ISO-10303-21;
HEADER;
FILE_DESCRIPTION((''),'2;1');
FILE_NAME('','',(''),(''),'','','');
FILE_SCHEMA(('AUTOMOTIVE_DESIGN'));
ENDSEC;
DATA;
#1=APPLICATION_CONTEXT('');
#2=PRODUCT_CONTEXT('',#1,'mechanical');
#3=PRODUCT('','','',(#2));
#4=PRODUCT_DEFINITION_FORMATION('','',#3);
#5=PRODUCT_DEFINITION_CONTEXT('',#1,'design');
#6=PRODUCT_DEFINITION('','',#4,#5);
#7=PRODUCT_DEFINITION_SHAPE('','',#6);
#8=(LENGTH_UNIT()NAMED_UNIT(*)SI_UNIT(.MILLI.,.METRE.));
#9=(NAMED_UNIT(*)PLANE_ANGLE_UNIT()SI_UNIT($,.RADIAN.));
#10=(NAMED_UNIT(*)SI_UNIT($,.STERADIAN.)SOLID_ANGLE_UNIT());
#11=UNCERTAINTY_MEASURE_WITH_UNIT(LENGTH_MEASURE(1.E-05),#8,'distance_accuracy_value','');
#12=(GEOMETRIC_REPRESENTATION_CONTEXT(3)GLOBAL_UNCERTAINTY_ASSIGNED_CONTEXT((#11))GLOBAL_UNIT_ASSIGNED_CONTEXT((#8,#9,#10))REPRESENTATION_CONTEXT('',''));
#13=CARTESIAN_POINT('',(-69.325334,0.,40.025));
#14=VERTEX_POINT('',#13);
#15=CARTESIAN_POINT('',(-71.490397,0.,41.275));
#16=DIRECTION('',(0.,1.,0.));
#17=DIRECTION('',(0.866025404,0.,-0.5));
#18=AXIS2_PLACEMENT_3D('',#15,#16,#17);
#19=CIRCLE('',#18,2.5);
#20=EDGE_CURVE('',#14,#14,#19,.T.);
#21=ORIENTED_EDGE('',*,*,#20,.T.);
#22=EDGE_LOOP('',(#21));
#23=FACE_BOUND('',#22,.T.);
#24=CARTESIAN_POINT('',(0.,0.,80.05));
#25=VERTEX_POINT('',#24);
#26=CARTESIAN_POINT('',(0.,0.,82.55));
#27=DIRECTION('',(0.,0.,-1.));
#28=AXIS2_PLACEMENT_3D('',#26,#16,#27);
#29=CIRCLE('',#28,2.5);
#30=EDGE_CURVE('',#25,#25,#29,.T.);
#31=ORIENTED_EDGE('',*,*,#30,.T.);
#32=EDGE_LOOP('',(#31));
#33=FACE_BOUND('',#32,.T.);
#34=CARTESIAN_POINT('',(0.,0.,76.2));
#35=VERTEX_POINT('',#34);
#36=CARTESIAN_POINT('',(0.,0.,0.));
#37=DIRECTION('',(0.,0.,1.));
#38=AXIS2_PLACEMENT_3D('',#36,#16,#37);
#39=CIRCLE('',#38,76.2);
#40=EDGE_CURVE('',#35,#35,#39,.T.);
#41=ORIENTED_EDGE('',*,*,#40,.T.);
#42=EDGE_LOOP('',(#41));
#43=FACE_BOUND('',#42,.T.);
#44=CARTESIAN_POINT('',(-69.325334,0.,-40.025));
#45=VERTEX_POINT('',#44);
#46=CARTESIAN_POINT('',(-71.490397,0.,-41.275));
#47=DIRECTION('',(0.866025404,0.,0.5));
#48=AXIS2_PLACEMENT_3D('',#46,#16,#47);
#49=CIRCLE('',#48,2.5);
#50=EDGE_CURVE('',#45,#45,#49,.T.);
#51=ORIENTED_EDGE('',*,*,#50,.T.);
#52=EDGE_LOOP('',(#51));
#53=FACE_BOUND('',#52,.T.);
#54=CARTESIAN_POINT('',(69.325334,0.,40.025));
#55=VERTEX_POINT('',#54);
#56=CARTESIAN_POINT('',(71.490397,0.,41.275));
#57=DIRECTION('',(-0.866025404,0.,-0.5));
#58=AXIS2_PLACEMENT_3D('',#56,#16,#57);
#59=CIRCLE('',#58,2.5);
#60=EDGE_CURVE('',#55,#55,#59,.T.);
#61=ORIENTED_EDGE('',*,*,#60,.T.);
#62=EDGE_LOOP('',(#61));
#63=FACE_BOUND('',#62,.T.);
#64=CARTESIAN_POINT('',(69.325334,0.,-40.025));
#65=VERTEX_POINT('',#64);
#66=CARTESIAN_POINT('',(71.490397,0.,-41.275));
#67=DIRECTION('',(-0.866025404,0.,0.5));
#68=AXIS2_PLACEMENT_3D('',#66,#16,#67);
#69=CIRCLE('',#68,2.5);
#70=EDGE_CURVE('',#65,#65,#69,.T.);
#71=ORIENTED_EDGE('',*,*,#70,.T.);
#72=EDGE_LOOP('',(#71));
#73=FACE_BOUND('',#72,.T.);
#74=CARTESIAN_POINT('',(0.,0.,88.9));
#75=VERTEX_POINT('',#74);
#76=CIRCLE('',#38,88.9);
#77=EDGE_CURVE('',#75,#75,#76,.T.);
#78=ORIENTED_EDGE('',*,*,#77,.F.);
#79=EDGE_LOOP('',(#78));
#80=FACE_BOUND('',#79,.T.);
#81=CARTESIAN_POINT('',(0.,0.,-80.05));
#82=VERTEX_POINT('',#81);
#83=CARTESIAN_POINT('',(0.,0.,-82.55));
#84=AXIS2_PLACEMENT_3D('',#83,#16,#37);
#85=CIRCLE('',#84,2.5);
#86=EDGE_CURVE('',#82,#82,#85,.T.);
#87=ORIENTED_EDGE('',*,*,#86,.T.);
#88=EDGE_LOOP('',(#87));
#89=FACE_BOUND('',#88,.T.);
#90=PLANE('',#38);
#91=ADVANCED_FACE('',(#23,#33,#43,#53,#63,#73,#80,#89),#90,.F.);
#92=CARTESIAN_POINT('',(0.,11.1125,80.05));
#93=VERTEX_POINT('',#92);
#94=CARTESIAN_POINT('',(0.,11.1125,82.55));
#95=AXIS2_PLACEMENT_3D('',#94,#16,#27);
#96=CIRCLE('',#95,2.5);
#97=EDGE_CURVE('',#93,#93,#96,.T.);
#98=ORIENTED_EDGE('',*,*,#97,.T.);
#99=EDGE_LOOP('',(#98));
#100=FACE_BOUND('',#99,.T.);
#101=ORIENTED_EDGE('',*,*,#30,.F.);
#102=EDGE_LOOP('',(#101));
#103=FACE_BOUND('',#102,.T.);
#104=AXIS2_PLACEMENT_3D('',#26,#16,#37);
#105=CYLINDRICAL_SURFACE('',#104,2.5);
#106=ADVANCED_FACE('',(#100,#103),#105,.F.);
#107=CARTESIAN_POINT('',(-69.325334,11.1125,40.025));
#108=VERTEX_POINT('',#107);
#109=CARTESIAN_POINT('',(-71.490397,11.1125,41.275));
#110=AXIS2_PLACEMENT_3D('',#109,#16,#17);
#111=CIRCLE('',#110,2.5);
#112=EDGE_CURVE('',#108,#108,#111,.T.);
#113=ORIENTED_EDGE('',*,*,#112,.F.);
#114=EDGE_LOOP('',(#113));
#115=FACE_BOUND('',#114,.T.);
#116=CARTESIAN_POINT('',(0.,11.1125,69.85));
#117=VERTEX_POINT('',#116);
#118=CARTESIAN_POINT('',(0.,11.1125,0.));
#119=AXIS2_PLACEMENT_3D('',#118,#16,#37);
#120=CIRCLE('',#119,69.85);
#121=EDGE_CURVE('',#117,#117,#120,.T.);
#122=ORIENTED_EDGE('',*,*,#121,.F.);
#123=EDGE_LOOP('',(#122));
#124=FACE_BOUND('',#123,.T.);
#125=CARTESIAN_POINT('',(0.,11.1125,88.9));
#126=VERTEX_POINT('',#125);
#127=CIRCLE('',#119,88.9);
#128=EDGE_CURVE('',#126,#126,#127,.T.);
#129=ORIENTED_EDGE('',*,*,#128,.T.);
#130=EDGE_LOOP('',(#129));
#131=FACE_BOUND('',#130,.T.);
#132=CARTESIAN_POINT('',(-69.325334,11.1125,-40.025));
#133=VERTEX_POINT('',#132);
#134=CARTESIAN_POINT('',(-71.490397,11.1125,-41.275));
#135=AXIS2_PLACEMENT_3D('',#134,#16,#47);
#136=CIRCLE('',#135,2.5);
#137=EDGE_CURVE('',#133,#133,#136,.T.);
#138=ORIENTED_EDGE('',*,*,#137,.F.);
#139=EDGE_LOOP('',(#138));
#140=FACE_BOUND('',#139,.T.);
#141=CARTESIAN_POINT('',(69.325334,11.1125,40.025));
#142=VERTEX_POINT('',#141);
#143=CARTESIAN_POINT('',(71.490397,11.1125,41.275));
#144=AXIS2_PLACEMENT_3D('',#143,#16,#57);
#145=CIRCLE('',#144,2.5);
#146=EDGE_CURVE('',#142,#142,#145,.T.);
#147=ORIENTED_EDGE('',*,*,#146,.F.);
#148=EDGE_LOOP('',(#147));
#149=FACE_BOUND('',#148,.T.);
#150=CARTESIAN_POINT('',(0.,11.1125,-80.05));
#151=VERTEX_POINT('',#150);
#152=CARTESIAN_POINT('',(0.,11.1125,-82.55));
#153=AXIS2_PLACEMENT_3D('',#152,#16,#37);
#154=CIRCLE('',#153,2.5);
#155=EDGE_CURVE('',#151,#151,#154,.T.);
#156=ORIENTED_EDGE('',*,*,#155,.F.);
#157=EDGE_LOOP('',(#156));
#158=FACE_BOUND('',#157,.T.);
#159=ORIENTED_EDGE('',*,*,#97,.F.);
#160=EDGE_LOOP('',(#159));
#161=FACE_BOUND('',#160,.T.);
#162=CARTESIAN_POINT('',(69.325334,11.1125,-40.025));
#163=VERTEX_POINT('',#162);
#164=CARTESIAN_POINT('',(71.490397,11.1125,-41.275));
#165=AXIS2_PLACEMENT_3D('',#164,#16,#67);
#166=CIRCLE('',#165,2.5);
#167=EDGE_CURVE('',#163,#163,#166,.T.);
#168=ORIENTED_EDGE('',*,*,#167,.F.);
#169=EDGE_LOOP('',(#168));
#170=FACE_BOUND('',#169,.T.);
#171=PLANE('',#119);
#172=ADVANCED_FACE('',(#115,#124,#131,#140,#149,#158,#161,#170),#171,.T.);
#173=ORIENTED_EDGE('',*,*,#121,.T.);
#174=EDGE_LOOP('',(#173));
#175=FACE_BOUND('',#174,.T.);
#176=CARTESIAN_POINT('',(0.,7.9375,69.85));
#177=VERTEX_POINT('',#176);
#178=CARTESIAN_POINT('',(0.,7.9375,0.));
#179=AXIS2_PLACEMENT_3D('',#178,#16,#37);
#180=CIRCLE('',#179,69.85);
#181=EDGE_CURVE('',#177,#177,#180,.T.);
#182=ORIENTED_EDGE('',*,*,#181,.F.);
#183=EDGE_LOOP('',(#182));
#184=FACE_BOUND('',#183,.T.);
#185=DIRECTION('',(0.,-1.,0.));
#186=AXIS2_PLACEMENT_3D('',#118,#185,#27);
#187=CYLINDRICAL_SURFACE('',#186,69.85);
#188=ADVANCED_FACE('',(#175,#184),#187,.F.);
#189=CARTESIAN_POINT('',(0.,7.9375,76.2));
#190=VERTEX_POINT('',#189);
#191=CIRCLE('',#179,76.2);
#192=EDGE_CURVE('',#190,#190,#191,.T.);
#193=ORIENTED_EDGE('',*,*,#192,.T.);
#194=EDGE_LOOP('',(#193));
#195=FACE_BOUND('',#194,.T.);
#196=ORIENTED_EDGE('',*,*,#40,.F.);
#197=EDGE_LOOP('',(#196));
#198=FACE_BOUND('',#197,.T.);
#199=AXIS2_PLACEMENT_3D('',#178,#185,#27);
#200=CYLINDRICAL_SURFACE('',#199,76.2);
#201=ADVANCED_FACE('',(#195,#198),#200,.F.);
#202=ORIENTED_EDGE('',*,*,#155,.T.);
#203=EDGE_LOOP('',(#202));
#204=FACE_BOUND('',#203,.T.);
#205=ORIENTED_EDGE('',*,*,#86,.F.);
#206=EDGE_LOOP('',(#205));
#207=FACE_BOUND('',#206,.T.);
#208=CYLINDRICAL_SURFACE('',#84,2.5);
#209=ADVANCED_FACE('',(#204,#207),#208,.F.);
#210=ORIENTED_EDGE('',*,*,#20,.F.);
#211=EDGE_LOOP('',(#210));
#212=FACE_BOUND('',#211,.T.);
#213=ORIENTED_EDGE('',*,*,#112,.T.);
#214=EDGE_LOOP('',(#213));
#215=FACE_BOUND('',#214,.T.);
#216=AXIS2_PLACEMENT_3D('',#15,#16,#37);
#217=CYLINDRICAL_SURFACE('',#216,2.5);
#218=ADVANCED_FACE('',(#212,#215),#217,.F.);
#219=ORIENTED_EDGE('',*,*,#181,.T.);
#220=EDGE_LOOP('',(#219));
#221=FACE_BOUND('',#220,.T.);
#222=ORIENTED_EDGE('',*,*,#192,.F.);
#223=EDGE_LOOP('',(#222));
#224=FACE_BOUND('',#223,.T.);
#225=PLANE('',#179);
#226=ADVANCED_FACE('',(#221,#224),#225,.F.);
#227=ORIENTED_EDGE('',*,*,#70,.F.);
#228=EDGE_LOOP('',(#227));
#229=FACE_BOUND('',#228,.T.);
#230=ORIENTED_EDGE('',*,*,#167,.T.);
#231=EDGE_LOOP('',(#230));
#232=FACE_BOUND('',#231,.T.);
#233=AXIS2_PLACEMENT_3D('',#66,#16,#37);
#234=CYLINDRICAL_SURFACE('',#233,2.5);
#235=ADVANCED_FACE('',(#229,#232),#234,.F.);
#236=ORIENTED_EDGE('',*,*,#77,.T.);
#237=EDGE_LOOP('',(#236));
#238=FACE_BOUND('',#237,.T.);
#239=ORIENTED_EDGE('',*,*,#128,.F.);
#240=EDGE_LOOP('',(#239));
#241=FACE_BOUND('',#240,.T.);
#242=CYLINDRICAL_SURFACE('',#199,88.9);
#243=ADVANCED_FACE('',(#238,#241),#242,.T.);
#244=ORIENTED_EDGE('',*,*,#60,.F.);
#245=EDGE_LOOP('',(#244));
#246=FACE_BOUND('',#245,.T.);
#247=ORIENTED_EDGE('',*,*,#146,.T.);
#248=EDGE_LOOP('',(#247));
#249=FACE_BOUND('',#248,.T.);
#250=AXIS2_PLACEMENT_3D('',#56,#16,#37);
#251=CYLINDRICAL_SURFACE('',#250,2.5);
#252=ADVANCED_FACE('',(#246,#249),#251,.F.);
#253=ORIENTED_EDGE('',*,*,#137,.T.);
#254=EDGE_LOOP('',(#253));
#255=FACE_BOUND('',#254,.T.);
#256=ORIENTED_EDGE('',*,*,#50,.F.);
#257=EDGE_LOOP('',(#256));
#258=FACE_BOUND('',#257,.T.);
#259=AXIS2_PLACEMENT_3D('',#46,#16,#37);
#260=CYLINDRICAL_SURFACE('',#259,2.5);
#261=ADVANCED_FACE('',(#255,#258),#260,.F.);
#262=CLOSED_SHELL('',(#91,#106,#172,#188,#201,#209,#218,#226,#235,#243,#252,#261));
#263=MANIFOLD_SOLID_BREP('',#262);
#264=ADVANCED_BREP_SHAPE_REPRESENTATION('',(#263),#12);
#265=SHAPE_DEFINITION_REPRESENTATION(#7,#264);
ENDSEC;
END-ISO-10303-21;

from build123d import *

# Parameters (mm, degrees)
SKETCH1_R           = 88.9
SKETCH1_R_2         = 76.2
BOSS_EXTRUDE1_DEPTH = 7.9375
SKETCH2_R           = 88.9
SKETCH2_R_2         = 69.85
BOSS_EXTRUDE2_DEPTH = 3.175
SKETCH3_R           = 2.5
CUT_EXTRUDE1_DEPTH  = 127.213737985
CIRPATTERN1_COUNT   = 6


with BuildPart() as part:
    # Sketch1 → Boss-Extrude1 (new body)
    with BuildSketch(Plane(origin=(0, 0, 0), x_dir=(1, 0, 0), z_dir=(0, 1, 0))):
        with Locations(Location((0, 0, 0), (0, 0, 270))):
            Circle(SKETCH1_R)
        with Locations(Location((0, 0, 0), (0, 0, 270))):
            Circle(SKETCH1_R_2, mode=Mode.SUBTRACT)
    extrude(amount=BOSS_EXTRUDE1_DEPTH)

    # Sketch2 → Boss-Extrude2 (add)
    with BuildSketch(Plane(origin=(0, 7.9375, 0), x_dir=(1, 0, 0), z_dir=(0, 1, 0))):
        with Locations(Location((0, 0, 0), (0, 0, 270))):
            Circle(SKETCH2_R)
        with Locations(Location((0, 0, 0), (0, 0, 270))):
            Circle(SKETCH2_R_2, mode=Mode.SUBTRACT)
    extrude(amount=BOSS_EXTRUDE2_DEPTH)

    # Sketch3 → Cut-Extrude1 (cut, through all)
    with BuildSketch(Plane(origin=(0, 11.1125, 0), x_dir=(1, 0, 0), z_dir=(0, 1, 0))):
        with Locations(Location((0, 82.55, 0), (0, 0, 270))):
            Circle(SKETCH3_R)
    cut_extrude1 = extrude(amount=-CUT_EXTRUDE1_DEPTH, mode=Mode.SUBTRACT)

    # CirPattern1: Cut-Extrude1 ×6 about axis
    cirpattern1_axis = Axis((0, 0, 0), (0, 1, 0))
    for i in range(1, CIRPATTERN1_COUNT):
        add(cut_extrude1.rotate(cirpattern1_axis, i * 360 / CIRPATTERN1_COUNT), mode=Mode.SUBTRACT)


solid = part.part
